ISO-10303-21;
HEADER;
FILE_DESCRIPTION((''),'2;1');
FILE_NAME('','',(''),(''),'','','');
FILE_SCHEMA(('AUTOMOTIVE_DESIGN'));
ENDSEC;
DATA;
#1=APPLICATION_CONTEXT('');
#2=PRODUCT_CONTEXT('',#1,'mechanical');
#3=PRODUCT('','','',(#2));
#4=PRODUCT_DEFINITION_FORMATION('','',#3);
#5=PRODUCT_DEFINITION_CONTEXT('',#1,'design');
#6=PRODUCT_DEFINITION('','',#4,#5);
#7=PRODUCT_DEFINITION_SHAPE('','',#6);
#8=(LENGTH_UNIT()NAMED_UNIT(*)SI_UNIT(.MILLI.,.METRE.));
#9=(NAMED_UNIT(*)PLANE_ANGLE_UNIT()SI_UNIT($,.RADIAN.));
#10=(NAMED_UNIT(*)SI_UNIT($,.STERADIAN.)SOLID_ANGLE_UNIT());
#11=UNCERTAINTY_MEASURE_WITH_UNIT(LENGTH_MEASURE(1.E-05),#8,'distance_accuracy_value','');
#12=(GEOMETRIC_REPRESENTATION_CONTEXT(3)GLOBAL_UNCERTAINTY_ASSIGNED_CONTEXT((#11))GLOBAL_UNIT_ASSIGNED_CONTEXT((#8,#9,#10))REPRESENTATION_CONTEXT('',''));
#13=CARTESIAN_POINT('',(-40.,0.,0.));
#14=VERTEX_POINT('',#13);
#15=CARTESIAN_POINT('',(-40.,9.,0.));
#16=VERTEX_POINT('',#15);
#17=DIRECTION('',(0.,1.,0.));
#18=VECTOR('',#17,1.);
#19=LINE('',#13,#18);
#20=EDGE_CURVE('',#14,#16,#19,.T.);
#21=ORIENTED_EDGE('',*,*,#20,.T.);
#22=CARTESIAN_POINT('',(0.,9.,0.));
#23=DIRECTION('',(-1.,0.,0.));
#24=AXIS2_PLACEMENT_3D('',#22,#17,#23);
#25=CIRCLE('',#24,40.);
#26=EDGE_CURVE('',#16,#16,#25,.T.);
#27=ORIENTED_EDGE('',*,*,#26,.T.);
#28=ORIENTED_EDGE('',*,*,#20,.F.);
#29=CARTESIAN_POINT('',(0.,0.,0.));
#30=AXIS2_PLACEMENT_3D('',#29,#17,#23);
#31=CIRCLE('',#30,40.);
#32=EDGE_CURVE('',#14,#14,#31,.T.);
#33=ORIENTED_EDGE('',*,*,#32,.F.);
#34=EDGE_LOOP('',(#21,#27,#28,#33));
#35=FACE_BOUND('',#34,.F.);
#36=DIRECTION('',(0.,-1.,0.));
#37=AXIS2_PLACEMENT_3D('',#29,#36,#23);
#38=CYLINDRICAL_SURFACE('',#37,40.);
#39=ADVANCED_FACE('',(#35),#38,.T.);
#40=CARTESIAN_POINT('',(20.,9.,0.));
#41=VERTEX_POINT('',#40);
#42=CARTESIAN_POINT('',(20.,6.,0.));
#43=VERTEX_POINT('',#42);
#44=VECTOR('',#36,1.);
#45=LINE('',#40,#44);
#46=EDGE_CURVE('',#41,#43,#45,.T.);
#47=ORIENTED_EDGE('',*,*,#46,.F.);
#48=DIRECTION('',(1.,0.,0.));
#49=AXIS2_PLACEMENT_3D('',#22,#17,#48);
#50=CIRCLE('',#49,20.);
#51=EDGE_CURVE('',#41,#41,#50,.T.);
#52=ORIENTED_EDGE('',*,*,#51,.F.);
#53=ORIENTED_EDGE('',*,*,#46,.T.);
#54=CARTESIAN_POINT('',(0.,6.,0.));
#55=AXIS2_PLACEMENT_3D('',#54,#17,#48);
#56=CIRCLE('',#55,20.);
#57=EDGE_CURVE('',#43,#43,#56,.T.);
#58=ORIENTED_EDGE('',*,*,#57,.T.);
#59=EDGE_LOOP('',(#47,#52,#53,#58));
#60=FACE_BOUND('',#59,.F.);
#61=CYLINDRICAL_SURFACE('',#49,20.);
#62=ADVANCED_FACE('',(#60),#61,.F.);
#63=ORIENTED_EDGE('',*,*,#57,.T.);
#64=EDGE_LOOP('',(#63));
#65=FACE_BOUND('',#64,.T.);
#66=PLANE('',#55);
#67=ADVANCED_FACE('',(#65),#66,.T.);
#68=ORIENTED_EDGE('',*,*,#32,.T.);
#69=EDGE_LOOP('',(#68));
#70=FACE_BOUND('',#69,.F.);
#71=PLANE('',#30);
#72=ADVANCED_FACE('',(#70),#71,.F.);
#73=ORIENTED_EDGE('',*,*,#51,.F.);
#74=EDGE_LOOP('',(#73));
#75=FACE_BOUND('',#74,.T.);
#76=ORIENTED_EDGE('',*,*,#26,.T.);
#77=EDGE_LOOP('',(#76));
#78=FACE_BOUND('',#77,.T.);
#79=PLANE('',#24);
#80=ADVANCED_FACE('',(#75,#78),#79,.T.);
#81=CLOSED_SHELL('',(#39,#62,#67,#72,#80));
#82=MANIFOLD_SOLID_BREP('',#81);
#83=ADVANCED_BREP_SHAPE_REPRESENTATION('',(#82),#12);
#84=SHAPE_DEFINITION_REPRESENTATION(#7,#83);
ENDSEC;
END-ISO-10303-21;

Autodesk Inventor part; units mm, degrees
ref_plane "YZ Plane" through (0, 0, 0) normal (1, 0, 0) x (0, 1, 0)
ref_plane "XZ Plane" through (0, 0, 0) normal (0, 1, 0) x (-1, 0, 0)
ref_plane "XY Plane" through (0, 0, 0) normal (0, 0, 1) x (1, 0, 0)
sketch "Sketch1" plane through (0, 0, 0) normal (0, 1, 0) x (-1, 0, 0)
  circle A0 centre (0, 0) radius 40
  dimension "d0" = 80
extrude "Extrusion1" add sketch "Sketch1" along normal blind 9
sketch "Sketch3" plane through (0, 9, 0) normal (0, 1, 0) x (1, 0, 0)
  circle A0 centre (0, 0) radius 20
  dimension "d6" = 40
extrude "Extrusion3" cut sketch "Sketch3" against normal blind 3
properties part number "sensor1"
